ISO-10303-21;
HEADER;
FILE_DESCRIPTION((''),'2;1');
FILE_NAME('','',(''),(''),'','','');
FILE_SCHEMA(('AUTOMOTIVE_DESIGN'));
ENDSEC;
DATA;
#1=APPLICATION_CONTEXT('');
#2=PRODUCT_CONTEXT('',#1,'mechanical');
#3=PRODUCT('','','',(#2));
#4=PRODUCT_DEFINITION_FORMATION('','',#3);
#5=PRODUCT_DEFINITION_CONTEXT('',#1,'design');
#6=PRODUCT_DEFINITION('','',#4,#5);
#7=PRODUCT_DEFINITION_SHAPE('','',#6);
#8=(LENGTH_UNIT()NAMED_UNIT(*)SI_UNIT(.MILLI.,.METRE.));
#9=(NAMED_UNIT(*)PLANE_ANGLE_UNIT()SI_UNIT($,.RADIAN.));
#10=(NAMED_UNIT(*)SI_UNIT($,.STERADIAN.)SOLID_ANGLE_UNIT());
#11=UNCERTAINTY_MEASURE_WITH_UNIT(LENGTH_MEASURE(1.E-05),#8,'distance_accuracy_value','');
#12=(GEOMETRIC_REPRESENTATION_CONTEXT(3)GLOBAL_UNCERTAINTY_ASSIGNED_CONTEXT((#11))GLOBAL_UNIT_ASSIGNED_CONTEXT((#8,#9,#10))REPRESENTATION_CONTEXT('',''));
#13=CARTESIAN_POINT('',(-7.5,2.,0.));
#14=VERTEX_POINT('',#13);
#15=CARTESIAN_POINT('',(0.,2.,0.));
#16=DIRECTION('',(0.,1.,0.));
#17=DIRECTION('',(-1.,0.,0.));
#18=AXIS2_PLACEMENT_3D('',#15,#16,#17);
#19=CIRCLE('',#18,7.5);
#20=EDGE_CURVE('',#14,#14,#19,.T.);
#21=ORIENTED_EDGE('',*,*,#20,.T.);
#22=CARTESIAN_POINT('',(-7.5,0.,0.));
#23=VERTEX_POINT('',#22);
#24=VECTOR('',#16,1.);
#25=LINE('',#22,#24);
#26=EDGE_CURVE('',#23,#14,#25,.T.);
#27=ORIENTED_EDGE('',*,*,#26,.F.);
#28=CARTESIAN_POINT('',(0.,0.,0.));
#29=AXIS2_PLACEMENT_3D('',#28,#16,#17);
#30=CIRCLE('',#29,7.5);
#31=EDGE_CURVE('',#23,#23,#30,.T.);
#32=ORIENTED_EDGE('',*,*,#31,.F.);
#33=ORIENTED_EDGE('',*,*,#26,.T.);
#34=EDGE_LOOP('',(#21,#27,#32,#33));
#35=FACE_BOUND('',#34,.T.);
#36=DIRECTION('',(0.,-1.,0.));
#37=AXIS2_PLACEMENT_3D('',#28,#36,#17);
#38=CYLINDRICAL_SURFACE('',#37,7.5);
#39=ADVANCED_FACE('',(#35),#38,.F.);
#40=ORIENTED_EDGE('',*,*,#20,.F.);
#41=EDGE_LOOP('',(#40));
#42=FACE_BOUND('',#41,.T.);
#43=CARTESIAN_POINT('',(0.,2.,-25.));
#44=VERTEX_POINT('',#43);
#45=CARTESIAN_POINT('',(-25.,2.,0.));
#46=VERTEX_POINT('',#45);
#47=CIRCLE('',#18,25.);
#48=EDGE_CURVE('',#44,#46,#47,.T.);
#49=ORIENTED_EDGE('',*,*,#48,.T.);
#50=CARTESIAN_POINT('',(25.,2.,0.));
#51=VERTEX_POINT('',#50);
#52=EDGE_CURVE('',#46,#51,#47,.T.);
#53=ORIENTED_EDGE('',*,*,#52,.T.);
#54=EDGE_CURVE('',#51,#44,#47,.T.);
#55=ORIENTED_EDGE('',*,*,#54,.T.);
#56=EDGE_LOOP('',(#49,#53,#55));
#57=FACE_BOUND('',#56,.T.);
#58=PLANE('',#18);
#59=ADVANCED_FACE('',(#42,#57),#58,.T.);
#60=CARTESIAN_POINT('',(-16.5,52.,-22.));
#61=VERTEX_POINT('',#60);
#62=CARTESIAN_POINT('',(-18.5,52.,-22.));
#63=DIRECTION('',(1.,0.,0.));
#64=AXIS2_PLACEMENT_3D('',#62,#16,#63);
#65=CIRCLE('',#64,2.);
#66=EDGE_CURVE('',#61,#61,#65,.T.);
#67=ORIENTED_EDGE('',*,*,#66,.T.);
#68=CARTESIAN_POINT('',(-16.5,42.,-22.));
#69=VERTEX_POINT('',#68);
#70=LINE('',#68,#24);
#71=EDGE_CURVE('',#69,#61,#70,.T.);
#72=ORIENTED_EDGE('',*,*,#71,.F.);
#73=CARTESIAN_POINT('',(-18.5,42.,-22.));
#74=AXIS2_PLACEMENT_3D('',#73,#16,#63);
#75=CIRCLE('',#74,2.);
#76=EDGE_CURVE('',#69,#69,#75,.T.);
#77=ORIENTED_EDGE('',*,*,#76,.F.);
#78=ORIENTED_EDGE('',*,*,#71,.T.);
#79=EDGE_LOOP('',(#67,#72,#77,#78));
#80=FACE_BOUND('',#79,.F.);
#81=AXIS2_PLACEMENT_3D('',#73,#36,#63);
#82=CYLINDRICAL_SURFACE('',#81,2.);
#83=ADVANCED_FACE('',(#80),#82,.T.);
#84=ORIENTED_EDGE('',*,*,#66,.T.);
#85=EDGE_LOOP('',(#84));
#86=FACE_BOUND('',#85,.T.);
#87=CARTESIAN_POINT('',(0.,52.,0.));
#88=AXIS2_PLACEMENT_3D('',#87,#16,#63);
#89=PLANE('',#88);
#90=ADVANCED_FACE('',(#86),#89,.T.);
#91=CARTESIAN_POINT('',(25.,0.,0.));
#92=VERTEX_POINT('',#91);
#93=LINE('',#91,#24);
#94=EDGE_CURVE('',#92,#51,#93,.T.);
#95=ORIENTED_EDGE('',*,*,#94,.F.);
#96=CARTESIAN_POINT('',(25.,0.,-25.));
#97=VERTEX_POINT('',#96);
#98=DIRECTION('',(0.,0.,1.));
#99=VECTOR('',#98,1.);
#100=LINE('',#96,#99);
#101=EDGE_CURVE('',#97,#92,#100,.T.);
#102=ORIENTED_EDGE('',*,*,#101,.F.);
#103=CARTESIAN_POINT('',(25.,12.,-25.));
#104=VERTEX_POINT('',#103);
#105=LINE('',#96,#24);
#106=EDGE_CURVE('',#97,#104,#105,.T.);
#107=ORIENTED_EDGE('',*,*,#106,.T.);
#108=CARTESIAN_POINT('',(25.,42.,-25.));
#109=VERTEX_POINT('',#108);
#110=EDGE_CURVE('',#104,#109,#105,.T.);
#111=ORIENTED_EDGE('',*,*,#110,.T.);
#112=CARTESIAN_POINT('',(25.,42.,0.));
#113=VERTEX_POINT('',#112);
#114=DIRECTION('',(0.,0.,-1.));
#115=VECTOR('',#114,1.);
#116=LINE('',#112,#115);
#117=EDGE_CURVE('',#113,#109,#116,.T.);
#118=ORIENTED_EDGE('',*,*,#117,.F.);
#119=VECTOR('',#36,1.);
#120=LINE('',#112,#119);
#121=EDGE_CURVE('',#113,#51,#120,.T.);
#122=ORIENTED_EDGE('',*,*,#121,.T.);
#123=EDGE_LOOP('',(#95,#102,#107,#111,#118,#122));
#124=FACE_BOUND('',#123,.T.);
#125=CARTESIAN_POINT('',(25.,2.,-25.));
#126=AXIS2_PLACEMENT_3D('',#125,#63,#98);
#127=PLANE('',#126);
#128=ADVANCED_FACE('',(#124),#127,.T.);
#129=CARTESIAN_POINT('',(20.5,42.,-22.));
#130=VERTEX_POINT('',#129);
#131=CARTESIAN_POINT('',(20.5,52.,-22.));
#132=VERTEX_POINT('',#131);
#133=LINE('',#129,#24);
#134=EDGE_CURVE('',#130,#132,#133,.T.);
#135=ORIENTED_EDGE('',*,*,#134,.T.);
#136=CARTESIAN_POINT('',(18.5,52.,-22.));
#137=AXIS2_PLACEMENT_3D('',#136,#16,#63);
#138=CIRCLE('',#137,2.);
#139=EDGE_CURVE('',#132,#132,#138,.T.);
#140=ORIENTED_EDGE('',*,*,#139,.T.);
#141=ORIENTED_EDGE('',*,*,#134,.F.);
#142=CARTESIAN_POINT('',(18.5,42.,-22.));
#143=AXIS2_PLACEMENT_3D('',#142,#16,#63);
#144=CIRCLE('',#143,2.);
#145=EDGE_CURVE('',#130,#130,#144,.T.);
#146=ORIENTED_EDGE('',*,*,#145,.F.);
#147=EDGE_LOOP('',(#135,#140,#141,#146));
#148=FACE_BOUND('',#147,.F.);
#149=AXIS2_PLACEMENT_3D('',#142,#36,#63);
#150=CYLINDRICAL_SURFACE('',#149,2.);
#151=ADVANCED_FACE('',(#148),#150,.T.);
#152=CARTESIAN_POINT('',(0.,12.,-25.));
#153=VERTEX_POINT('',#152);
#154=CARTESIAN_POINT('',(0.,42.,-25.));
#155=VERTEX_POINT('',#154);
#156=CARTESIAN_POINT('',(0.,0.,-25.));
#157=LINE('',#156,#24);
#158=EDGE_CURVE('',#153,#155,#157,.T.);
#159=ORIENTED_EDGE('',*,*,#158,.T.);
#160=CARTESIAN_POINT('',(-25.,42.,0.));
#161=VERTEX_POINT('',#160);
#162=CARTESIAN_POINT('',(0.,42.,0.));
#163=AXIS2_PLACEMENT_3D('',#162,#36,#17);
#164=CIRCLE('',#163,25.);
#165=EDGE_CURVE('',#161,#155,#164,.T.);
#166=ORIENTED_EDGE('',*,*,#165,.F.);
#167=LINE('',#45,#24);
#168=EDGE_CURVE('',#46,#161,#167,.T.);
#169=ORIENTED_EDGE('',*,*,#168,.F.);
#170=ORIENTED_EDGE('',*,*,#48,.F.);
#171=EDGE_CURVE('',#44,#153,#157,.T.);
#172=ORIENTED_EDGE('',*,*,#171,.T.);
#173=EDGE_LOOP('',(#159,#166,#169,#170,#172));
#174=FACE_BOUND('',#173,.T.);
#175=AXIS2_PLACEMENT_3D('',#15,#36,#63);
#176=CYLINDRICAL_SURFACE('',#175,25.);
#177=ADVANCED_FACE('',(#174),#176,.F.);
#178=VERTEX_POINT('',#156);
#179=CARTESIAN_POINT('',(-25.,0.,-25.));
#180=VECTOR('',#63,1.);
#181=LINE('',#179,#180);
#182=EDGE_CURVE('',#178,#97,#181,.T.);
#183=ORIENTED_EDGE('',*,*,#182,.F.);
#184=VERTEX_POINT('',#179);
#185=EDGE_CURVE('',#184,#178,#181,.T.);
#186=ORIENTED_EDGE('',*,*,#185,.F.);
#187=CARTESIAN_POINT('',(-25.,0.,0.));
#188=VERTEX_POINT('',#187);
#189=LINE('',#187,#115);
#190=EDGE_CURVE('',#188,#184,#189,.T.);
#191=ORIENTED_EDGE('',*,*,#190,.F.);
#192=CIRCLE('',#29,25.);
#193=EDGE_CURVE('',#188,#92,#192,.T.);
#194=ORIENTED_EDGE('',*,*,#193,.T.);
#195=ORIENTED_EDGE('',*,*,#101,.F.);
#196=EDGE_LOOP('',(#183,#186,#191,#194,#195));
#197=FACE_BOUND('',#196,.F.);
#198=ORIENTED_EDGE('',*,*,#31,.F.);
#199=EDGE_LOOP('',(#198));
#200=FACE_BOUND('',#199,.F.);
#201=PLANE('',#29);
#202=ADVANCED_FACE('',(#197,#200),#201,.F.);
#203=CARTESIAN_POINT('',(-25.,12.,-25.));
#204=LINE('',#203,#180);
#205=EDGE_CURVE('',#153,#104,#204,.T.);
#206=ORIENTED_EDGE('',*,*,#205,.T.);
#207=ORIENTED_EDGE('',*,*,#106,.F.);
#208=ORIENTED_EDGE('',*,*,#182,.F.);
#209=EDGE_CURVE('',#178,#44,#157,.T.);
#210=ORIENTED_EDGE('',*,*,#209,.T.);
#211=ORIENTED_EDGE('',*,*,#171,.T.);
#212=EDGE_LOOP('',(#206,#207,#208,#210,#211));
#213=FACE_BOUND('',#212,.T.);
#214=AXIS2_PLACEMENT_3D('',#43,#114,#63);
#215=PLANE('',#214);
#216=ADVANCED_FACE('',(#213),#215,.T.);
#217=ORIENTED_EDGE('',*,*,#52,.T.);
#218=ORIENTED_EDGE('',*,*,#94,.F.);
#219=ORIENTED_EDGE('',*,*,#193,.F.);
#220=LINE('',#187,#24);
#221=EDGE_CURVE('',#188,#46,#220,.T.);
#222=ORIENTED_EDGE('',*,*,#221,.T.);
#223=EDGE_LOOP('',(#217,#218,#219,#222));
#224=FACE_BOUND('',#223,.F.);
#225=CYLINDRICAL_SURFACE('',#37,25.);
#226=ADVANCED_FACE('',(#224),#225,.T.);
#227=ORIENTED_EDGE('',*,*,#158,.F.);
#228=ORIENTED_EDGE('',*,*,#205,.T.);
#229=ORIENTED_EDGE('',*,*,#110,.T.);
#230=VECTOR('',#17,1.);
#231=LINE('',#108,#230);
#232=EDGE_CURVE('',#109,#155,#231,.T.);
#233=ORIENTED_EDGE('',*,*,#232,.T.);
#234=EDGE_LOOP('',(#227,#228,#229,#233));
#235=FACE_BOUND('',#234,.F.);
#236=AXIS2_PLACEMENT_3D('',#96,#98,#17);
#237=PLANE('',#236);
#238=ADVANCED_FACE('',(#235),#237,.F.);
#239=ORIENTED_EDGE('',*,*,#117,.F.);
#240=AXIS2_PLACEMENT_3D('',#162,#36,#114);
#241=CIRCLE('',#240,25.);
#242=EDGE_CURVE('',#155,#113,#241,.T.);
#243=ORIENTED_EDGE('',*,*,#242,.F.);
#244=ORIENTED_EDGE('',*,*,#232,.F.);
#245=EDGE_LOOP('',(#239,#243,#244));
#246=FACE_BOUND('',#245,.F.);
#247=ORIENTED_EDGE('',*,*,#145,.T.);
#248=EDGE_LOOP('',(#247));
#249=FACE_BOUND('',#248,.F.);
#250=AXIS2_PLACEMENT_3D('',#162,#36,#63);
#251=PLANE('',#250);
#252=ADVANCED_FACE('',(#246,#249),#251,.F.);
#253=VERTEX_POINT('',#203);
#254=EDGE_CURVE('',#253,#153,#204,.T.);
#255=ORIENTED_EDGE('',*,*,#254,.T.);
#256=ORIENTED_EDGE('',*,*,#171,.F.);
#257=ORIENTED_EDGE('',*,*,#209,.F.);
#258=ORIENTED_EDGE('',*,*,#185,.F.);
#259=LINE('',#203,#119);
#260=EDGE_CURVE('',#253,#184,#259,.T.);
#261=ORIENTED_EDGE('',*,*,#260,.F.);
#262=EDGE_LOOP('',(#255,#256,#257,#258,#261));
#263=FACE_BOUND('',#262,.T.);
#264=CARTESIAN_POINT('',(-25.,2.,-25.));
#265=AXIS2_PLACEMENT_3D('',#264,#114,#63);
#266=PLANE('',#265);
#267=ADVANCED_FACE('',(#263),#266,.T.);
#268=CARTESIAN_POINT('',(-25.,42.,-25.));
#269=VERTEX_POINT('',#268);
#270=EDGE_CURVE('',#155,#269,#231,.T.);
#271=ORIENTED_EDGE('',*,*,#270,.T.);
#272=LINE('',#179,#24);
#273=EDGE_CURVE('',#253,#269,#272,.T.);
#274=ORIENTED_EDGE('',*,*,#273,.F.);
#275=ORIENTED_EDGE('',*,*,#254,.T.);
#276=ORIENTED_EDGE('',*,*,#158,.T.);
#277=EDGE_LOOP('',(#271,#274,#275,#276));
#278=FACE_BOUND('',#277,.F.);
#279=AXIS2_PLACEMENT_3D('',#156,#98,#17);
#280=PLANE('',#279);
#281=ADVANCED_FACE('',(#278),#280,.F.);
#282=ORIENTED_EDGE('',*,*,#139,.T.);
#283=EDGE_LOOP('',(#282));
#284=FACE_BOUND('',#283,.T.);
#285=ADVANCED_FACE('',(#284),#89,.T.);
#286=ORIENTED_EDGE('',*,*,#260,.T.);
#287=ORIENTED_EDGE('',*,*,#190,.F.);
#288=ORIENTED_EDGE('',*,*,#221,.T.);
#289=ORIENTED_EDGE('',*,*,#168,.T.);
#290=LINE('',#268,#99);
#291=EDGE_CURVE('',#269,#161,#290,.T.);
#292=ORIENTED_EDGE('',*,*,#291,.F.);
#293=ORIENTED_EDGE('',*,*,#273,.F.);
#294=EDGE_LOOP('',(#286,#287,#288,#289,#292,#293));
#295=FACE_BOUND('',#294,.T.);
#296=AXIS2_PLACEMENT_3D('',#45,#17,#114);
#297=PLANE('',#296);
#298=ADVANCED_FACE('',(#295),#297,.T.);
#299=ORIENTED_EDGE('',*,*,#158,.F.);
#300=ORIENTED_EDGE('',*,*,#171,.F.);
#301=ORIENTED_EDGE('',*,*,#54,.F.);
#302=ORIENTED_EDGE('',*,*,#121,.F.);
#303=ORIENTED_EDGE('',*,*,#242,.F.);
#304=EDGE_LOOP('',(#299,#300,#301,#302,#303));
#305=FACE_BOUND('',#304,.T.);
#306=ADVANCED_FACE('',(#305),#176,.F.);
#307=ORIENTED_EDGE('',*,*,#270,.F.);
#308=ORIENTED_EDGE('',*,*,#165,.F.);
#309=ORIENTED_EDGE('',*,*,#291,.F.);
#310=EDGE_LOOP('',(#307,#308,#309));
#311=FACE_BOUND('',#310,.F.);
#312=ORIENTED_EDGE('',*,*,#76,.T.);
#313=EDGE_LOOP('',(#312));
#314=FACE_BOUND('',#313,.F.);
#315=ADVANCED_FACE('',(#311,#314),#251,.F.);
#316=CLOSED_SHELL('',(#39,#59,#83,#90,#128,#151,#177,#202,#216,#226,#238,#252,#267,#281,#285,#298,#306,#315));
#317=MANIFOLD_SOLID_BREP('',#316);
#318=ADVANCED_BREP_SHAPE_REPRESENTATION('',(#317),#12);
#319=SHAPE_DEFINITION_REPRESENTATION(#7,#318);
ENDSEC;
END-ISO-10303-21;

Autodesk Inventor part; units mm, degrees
ref_plane "YZ Plane" through (0, 0, 0) normal (1, 0, 0) x (0, 1, 0)
ref_plane "XZ Plane" through (0, 0, 0) normal (0, 1, 0) x (-1, 0, 0)
ref_plane "XY Plane" through (0, 0, 0) normal (0, 0, 1) x (1, 0, 0)
sketch "Sketch1" plane through (0, 0, 0) normal (0, 1, 0) x (-1, 0, 0)
  circle A0 centre (0, 0) radius 7.5
  circle A1 centre (0, 0) radius 25
  dimension "d0" = 15
  dimension "d1" = 50
extrude "Extrusion1" add sketch "Sketch1" along normal blind 2
sketch "Sketch2" plane through (0, 2, 0) normal (0, 1, 0) x (1, 0, 0)
  circle A0 centre (0, 0) radius 25 projected
  line L0 (25, 0) -> (-25, 0)
  line L1 (-25, 0) -> (-25, 25)
  line L2 (-25, 25) -> (25, 25)
  line L3 (25, 25) -> (25, 0)
  point P0 (0, 25)
extrude "Extrusion2" add sketch "Sketch2" along normal blind 10 and the other way blind 2 contours L1 L2 A0 | A0 L2 L3
sketch "Sketch3" plane through (0, 12, 0) normal (0, 1, 0) x (1, 0, 0)
  circle A0 centre (21.5, 18.5) radius 2
  circle A1 centre (-21.5, 18.5) radius 2
  point P0 (0, 0)
  dimension "d8" = 4
  dimension "d9" = 4
extrude "Extrusion3" add sketch "Sketch3" along normal blind 40
sketch "Sketch4" plane through (0, 0, 0) normal (0, -1, 0) x (1, 0, 0)
  line L0 (25, -25) -> (0, -25) projected
  arc A0 (25, 0) -> (-25, 0) centre (0, 0) ccw projected
  line L1 (25, -25) -> (-25, -25)
  line L2 (-25, -25) -> (-25, 0)
  line L3 (-25, 0) -> (25, 0)
  line L4 (25, 0) -> (25, -25)
  arc A1 (0, -25) -> (25, 0) centre (0, 0) ccw projected
  arc A2 (-25, 0) -> (25, 0) centre (0, 0) ccw
extrude "Extrusion4" add sketch "Sketch4" against normal blind 42 contours L0 A1 L4 | L1 L2 A2
sketch "Sketch5" plane through (21.5, 52, -18.5) normal (0, 1, 0) x (1, 0, 0)
  circle A0 centre (0, 0) radius 2 projected
  circle A1 centre (0, 0) radius 2
  circle A2 centre (-43, 0) radius 2 projected
  circle A3 centre (-43, 0) radius 2
  point P0 (-21.5, -18.5)
extrude "Extrusion5" cut sketch "Sketch5" against normal blind 10
sketch "Sketch6" plane through (0, 42, 0) normal (0, 1, 0) x (1, 0, 0)
  circle A0 centre (18.5, 22) radius 2
  circle A1 centre (-18.5, 22) radius 2
  point P0 (0, 0)
  dimension "d16" = 4
  dimension "d17" = 4
extrude "Extrusion6" add sketch "Sketch6" along normal blind 10
properties part number "trail 3.1" material "Iron, Gray"
